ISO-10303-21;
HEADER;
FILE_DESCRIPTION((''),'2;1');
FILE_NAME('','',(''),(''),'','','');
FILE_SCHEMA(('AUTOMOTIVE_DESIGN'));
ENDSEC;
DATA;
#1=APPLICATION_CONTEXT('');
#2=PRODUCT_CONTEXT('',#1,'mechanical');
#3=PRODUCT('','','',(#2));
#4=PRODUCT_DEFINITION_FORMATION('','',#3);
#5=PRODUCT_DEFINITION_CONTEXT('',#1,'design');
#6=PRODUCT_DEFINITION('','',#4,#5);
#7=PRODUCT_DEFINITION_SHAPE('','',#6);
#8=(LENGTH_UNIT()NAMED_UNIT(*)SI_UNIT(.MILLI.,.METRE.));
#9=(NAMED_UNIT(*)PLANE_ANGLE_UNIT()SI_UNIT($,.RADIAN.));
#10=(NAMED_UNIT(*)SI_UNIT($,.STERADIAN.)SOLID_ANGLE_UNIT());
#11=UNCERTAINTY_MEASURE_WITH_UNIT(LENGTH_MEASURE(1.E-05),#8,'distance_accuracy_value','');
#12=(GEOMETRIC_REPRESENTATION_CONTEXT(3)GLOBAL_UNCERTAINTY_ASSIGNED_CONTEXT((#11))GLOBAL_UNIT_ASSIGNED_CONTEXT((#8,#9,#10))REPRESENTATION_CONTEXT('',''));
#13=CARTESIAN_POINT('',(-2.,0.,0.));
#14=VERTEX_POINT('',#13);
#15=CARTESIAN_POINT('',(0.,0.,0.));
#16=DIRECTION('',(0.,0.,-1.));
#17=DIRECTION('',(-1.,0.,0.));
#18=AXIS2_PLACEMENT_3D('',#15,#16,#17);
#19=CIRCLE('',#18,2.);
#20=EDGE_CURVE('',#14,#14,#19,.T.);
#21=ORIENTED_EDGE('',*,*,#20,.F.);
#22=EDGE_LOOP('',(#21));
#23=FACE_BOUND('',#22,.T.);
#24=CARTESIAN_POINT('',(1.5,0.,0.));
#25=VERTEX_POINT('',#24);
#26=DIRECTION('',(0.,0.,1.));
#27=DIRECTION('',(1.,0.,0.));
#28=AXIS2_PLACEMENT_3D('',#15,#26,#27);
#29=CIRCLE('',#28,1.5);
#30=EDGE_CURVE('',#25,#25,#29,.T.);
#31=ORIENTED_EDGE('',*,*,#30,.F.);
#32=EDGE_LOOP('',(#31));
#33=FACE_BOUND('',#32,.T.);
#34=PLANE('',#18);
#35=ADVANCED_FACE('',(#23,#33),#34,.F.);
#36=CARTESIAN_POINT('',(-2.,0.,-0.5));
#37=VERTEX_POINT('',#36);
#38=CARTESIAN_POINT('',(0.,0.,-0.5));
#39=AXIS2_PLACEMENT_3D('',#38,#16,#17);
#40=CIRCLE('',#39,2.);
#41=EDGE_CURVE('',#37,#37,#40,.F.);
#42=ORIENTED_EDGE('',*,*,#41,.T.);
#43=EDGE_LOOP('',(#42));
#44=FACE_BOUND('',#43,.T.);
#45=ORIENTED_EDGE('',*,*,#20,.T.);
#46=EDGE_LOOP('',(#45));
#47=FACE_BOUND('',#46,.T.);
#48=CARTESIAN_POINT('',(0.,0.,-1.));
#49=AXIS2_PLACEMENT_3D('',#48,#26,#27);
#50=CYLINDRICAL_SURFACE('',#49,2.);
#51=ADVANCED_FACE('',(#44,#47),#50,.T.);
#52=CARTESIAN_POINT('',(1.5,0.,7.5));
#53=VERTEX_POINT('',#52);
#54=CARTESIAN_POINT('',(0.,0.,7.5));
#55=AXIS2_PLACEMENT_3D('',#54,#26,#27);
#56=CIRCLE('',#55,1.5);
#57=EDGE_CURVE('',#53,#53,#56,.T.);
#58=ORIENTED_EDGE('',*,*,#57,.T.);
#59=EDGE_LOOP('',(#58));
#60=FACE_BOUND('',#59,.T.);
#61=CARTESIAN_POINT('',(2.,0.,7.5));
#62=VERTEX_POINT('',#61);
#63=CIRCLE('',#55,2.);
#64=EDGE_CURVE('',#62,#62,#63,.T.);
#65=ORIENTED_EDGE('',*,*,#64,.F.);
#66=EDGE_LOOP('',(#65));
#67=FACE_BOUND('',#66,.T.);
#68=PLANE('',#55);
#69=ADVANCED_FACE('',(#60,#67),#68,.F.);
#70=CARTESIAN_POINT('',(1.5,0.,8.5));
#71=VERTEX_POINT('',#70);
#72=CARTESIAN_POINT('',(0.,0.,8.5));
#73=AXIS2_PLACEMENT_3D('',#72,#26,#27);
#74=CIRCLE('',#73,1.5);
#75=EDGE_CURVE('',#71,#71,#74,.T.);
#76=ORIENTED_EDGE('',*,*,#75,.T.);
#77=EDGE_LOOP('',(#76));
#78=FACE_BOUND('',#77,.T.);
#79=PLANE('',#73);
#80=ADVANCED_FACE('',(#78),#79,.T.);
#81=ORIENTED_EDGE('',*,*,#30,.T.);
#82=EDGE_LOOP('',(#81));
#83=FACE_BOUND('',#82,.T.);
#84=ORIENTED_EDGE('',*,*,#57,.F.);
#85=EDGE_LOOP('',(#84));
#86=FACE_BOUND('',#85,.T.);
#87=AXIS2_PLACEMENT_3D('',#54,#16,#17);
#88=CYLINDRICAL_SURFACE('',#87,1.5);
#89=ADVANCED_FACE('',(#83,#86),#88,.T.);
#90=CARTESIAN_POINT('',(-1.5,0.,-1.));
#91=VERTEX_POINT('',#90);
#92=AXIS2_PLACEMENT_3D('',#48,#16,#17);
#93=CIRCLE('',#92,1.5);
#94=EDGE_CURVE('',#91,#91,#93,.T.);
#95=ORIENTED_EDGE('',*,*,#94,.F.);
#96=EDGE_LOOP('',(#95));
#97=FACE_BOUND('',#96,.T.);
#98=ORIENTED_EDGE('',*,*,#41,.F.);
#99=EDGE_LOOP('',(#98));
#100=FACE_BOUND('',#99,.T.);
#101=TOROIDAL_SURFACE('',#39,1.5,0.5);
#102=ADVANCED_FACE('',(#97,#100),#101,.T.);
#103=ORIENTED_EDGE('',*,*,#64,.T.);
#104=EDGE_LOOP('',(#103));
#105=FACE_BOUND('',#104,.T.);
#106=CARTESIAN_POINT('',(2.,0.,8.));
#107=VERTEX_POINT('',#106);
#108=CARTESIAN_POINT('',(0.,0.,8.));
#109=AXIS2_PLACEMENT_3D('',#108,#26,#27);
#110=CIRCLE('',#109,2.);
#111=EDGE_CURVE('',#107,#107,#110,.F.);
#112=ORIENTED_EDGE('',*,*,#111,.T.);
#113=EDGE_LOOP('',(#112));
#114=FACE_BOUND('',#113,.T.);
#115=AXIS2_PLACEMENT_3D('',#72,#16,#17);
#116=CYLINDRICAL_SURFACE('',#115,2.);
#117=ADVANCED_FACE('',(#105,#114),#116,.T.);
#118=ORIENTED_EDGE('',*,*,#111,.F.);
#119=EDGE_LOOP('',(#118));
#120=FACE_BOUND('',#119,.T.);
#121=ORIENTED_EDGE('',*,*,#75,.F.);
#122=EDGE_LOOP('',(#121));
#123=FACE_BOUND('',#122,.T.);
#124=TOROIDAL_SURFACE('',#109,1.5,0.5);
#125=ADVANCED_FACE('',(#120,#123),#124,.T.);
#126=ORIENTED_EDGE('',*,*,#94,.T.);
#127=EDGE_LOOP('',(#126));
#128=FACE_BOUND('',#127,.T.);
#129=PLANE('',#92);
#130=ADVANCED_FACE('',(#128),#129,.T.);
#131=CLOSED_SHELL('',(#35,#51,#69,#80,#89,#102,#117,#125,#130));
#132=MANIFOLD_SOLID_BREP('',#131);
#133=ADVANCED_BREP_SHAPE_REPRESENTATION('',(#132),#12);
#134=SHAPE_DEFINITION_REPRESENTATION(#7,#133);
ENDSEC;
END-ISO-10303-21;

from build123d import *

# Parameters (mm, degrees)
SKETCH1_R           = 1.5
BOSS_EXTRUDE1_DEPTH = 7.5
SKETCH2_R           = 2
BOSS_EXTRUDE2_DEPTH = 1
SKETCH3_R           = 2
BOSS_EXTRUDE3_DEPTH = 1
FILLET1_R           = 0.5


with BuildPart() as part:
    # Sketch1 → Boss-Extrude1 (new body)
    with BuildSketch(Plane.XY):
        Circle(SKETCH1_R)
    extrude(amount=BOSS_EXTRUDE1_DEPTH)

    # Sketch2 → Boss-Extrude2 (add)
    with BuildSketch(Plane(origin=(0, 0, 0), x_dir=(-1, 0, 0), z_dir=(0, 0, -1))):
        Circle(SKETCH2_R)
    extrude(amount=BOSS_EXTRUDE2_DEPTH)

    # Sketch3 → Boss-Extrude3 (add)
    with BuildSketch(Plane.XY.offset(7.5)):
        Circle(SKETCH3_R)
    extrude(amount=BOSS_EXTRUDE3_DEPTH)

    # Fillet1
    fillet1_edges = [part.edges().sort_by_distance(p)[0] for p in [
        (-2, 0, 8.5),
        (2, 0, -1),
    ]]
    fillet(fillet1_edges, radius=FILLET1_R)


solid = part.part
